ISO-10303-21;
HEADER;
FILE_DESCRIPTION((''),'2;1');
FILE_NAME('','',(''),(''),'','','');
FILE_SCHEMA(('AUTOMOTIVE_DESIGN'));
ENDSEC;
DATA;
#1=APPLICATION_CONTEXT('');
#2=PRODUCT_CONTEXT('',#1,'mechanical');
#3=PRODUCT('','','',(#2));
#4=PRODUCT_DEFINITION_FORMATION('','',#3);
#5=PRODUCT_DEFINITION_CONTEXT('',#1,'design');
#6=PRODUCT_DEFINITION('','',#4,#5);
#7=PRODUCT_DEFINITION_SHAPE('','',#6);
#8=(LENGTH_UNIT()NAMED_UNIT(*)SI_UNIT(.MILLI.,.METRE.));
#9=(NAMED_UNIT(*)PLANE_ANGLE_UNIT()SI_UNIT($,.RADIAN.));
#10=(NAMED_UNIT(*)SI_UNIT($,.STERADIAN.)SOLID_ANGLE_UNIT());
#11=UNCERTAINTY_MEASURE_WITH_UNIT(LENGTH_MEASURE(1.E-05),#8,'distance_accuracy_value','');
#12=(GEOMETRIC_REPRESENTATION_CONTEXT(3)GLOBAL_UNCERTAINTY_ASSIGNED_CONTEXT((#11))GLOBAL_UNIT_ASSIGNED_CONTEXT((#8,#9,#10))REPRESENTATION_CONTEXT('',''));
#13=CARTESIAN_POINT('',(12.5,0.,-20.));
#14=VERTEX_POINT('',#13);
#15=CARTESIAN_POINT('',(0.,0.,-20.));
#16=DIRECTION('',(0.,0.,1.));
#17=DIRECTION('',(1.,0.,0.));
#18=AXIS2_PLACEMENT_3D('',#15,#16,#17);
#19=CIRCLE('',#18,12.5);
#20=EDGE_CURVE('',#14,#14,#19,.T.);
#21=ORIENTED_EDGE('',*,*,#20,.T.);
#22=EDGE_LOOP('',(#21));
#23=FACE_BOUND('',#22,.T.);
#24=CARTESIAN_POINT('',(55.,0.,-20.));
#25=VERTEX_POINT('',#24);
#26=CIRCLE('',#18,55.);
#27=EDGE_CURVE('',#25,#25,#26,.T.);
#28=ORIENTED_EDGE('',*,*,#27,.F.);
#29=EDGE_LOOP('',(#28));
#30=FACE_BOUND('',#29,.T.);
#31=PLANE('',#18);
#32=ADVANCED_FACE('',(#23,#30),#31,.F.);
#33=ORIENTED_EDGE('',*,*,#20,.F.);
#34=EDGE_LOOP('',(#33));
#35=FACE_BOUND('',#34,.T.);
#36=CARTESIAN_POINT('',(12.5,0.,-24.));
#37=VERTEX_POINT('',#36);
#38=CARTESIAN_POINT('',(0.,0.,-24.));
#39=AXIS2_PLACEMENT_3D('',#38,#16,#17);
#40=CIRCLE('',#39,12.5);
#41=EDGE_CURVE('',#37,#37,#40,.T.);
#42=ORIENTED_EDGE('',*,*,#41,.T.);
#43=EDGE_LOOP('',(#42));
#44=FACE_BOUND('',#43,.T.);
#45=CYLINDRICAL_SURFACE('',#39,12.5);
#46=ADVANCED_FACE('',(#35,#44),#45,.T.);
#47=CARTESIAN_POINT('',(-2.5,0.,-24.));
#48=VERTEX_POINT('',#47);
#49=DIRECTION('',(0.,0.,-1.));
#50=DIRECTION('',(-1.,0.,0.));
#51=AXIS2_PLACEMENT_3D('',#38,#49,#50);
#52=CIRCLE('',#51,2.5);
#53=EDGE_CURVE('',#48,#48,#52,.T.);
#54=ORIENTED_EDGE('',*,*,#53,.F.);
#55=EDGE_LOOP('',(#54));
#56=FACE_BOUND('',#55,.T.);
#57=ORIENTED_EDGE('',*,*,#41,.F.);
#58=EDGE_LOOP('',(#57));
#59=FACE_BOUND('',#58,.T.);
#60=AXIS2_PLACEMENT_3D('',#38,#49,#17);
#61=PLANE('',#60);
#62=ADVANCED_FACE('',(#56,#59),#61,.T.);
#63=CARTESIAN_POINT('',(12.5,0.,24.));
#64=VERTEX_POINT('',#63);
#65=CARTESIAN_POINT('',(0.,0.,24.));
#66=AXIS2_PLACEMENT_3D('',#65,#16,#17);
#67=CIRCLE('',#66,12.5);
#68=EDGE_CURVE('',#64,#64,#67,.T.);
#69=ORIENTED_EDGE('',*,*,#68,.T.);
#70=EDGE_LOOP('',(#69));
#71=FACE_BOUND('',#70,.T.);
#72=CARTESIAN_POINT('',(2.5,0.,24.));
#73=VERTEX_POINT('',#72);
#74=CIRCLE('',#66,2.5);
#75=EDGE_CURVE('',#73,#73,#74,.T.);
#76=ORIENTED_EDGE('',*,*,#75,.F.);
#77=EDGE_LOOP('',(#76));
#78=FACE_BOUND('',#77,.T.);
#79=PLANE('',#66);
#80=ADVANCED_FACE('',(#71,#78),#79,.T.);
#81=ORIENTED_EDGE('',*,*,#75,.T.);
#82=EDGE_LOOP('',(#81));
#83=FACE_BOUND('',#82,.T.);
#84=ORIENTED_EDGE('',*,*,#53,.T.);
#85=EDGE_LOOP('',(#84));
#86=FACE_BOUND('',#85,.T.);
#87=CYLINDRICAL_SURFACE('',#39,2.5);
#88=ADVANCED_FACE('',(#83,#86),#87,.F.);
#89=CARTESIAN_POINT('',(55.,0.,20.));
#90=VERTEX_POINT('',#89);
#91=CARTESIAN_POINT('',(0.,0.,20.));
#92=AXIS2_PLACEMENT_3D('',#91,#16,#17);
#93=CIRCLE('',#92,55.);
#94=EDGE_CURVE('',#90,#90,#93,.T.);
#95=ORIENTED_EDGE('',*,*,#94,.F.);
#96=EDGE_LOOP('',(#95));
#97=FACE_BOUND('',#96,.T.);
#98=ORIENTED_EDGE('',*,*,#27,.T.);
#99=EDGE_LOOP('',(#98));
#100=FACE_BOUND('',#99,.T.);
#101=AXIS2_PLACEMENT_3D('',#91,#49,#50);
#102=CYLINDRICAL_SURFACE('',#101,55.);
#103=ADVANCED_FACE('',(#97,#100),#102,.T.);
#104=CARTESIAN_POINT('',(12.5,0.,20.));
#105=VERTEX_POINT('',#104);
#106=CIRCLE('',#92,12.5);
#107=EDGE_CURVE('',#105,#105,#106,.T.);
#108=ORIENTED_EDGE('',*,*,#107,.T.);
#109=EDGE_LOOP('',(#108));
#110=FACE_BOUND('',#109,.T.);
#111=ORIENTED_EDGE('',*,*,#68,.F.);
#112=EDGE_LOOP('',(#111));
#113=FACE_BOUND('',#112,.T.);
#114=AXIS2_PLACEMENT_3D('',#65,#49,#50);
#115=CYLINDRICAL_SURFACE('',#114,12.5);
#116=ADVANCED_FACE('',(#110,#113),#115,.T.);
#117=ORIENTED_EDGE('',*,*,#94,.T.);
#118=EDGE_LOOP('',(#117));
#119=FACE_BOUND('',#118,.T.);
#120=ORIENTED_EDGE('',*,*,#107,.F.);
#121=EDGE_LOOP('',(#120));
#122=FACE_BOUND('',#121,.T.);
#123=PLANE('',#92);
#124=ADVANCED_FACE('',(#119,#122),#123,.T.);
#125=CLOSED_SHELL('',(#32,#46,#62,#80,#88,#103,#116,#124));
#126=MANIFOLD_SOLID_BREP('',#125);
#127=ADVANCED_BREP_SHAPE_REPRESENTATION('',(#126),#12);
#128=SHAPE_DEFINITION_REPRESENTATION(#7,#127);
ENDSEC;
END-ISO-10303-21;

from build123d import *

# Parameters (mm, degrees)
SKETCH1_R           = 55
BOSS_EXTRUDE1_DEPTH = 20
SKETCH2_R           = 12.5
BOSS_EXTRUDE2_DEPTH = 4
KEYWAY_DEPTH        = 97.269852921


with BuildPart() as part:
    # Sketch1 → Boss-Extrude1 (new, symmetric)
    with BuildSketch(Plane.XY):
        Circle(SKETCH1_R)
    extrude(amount=BOSS_EXTRUDE1_DEPTH, both=True)

    # Sketch2 → Boss-Extrude2 (add)
    with BuildSketch(Plane.XY.offset(20)):
        Circle(SKETCH2_R)
    boss_extrude2 = extrude(amount=BOSS_EXTRUDE2_DEPTH)

    # Mirror1: Boss-Extrude2 across plane
    add(boss_extrude2.mirror(Plane.XY))

    # KeySketch → Keyway (cut, through all)
    with BuildSketch(Plane(origin=(6.62471706, 1.269697251, 24), x_dir=(1, 0, 0), z_dir=(0, 0, 1))):
        with BuildLine():
            ThreePointArc((-7.62471706, 1.021590597), (-6.62471706, -3.769697251), (-5.62471706, 1.021590597))
            ThreePointArc((-5.62471706, 1.021590597), (-6.62471706, 1.230302749), (-7.62471706, 1.021590597))
        make_face()
    extrude(amount=-KEYWAY_DEPTH, mode=Mode.SUBTRACT)


solid = part.part
